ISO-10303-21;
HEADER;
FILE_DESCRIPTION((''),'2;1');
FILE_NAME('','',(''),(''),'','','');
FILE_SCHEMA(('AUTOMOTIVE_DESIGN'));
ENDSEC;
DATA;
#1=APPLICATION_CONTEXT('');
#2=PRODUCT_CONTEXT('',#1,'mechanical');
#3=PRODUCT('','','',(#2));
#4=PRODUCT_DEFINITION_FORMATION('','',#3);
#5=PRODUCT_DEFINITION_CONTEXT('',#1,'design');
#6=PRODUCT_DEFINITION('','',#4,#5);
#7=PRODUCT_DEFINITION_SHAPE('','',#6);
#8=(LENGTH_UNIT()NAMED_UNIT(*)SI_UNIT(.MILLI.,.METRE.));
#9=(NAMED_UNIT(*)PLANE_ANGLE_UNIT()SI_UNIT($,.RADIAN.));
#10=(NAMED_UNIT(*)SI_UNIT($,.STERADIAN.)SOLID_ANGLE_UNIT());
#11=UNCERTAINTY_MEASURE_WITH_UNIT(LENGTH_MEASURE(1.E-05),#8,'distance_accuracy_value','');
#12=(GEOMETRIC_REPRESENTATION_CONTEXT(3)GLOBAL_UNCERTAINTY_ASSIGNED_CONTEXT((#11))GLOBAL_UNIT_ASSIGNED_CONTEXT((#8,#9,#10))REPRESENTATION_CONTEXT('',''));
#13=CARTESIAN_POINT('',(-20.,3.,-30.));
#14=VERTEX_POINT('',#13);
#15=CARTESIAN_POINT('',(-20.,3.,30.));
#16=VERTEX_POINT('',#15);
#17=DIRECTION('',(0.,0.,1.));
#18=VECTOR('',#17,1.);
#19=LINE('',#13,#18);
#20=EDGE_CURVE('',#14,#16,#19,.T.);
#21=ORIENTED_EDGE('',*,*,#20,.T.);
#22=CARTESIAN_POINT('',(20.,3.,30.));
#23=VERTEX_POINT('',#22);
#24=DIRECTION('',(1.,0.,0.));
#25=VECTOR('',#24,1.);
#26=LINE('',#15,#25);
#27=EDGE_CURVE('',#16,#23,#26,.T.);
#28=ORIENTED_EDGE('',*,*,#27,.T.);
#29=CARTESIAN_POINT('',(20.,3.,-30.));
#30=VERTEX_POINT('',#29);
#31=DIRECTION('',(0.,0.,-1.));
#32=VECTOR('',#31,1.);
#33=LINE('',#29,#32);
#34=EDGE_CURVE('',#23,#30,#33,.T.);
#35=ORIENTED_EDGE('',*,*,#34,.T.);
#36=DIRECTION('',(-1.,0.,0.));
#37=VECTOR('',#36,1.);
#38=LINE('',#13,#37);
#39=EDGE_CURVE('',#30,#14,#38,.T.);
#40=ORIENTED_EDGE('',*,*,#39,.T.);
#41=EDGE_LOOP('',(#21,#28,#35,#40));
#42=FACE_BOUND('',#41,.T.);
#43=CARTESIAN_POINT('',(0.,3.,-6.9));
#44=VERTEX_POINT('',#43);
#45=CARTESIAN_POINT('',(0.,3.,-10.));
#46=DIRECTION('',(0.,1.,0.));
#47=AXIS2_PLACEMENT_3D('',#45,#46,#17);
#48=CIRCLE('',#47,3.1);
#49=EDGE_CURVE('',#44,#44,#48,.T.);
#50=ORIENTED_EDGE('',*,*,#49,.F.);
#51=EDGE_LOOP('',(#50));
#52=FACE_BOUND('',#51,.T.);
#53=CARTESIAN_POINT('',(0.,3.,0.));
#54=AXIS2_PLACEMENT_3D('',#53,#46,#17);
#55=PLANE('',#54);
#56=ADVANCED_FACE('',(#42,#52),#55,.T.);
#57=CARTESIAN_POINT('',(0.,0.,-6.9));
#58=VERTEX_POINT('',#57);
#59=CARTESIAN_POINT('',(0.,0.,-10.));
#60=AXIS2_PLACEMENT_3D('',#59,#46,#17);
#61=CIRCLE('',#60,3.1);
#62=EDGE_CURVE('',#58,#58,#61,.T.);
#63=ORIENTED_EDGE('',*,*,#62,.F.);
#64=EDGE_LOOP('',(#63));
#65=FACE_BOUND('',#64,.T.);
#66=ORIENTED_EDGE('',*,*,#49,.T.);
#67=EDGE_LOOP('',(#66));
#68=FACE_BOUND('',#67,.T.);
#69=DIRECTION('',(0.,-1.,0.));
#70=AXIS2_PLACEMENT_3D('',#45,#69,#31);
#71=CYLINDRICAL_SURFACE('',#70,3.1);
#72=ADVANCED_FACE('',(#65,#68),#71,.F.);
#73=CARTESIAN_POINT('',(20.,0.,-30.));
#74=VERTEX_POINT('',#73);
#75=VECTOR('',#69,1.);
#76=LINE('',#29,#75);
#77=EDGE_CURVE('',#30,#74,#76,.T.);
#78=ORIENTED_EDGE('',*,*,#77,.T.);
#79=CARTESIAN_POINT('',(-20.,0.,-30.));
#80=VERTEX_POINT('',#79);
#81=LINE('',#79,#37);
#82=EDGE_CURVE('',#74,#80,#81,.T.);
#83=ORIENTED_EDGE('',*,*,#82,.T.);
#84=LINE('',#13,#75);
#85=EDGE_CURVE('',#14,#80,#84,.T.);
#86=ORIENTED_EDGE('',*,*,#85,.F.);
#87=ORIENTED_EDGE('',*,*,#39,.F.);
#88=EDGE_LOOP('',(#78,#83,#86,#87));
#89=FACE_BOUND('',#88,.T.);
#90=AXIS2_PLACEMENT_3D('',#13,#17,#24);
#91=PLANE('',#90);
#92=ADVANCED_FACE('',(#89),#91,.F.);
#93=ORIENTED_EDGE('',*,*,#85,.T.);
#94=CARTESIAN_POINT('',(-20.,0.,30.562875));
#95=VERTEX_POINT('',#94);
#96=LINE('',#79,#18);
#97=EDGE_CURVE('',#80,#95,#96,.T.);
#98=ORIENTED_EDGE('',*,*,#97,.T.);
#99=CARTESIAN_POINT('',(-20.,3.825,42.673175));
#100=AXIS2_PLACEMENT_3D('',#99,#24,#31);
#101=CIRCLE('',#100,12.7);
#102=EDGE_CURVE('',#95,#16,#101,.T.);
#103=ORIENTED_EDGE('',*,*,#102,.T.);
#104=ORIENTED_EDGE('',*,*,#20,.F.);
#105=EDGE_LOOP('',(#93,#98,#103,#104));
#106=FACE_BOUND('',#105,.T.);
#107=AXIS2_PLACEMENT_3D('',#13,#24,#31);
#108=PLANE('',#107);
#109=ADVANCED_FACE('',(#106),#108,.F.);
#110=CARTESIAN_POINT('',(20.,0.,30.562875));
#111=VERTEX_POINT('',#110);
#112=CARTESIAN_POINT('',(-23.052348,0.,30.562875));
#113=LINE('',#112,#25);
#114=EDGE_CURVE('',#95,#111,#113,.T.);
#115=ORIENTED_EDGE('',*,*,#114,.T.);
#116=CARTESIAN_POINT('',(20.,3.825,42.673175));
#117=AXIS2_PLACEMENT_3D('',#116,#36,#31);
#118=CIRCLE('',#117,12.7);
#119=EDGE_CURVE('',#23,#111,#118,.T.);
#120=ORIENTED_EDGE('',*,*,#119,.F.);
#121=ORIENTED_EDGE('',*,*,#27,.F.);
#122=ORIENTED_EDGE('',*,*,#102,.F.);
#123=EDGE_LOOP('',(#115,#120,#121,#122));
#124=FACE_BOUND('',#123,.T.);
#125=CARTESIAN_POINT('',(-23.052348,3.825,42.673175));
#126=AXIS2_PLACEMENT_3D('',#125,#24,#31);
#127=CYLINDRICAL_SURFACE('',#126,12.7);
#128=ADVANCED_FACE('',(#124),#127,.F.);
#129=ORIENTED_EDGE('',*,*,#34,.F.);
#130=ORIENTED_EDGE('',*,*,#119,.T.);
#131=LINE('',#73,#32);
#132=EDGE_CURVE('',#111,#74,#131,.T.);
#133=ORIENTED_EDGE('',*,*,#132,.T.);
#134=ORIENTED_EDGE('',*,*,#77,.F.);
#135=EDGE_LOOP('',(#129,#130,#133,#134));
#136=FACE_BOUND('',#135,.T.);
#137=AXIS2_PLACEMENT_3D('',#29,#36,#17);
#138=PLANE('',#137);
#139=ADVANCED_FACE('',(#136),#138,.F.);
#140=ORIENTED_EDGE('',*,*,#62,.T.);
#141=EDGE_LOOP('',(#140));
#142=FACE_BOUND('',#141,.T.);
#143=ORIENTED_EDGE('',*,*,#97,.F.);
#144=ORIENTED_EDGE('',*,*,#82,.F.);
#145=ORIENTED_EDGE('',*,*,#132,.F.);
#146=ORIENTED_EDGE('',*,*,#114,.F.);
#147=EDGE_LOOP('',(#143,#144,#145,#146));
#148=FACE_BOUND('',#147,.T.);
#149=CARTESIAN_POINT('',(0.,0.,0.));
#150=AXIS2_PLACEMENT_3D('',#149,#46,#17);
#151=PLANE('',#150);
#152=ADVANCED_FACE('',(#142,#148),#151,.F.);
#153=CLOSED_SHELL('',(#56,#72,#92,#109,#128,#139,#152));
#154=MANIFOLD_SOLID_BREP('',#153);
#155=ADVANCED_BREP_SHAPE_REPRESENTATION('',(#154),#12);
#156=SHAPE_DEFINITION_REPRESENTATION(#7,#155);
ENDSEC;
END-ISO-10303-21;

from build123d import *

# Parameters (mm, degrees)
SKETCH1_W           = 40
SKETCH1_H           = 60
SKETCH1_R           = 3.1
BOSS_EXTRUDE1_DEPTH = 3
BOSS_EXTRUDE2_DEPTH = 40


with BuildPart() as part:
    # Sketch1 → Boss-Extrude1 (new body)
    with BuildSketch(Plane(origin=(0, 0, 0), x_dir=(1, 0, 0), z_dir=(0, 1, 0))):
        Rectangle(SKETCH1_W, SKETCH1_H)
        with Locations(Location((0, 10, 0), (0, 0, 270))):
            Circle(SKETCH1_R, mode=Mode.SUBTRACT)
    extrude(amount=BOSS_EXTRUDE1_DEPTH)

    # Sketch3 → Boss-Extrude2 (add)
    with BuildSketch(Plane(origin=(20, 0, 0), x_dir=(0, 0, -1), z_dir=(1, 0, 0))):
        with BuildLine():
            Line((-30, 0), (-30.562875043, 0))
            ThreePointArc((-30.562875043, 0), (-30.190981376, 1.483028164), (-30, 3))
            Line((-30, 3), (-30, 0))
        make_face()
    extrude(amount=-BOSS_EXTRUDE2_DEPTH)


solid = part.part
